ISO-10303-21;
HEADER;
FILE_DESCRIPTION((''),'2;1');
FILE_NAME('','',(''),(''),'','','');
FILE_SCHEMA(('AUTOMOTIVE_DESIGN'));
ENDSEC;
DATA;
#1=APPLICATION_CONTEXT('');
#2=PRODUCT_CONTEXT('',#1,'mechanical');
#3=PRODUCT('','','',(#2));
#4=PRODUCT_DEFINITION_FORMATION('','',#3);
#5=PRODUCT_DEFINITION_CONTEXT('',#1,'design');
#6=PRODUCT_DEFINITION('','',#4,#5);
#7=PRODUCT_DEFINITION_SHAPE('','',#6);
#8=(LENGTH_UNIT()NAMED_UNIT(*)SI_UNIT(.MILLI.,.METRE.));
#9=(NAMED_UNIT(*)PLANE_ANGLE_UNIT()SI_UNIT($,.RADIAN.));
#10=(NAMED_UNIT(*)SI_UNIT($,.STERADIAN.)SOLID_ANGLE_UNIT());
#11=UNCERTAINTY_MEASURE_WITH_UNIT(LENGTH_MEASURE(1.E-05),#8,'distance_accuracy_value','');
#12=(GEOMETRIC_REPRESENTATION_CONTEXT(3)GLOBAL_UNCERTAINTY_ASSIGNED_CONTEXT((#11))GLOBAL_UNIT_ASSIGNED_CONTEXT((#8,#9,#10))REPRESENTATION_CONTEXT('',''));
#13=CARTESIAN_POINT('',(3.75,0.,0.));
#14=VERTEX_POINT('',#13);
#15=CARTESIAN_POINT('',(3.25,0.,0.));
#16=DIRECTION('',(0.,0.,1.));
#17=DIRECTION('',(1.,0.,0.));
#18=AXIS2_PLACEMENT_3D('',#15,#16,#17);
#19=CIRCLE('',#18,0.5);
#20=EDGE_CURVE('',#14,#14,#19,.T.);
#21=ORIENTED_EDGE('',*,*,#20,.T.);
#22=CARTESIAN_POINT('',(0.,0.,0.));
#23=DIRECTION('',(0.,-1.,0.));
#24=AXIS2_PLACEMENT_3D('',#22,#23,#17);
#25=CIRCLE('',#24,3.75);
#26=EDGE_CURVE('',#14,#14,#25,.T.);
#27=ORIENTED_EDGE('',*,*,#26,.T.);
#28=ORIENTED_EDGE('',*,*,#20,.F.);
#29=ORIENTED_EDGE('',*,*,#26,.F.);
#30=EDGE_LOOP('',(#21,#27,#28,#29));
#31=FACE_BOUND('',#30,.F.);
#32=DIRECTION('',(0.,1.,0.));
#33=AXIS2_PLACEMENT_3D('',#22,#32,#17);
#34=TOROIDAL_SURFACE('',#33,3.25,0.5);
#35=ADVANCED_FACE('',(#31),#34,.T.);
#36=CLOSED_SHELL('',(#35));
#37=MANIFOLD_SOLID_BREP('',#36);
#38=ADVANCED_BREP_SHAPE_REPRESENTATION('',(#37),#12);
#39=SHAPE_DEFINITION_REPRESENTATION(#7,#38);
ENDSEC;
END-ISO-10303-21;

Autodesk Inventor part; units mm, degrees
ref_plane "YZ Plane" through (0, 0, 0) normal (1, 0, 0) x (0, 1, 0)
ref_plane "XZ Plane" through (0, 0, 0) normal (0, 1, 0) x (-1, 0, 0)
ref_plane "XY Plane" through (0, 0, 0) normal (0, 0, 1) x (1, 0, 0)
sketch "Sketch1" plane through (0, 0, 0) normal (0, 0, 1) x (1, 0, 0)
  line L0 (0, 1.1669) -> (0, 0) construction
  line L1 (0, 0) -> (3.25, 0) construction
  circle A0 centre (3.25, 0) radius 0.5
  line L2 (2.75, 0.4543) -> (2.75, -0.4265) construction
  dimension "d0" = 1
  dimension "d1" = 2.75
revolve "Revolution1" add sketch "Sketch1" angle 360 about axis through (0, 1.1669, 0) along (0, -1, 0)
properties part number "oring_5p5x7p5"
